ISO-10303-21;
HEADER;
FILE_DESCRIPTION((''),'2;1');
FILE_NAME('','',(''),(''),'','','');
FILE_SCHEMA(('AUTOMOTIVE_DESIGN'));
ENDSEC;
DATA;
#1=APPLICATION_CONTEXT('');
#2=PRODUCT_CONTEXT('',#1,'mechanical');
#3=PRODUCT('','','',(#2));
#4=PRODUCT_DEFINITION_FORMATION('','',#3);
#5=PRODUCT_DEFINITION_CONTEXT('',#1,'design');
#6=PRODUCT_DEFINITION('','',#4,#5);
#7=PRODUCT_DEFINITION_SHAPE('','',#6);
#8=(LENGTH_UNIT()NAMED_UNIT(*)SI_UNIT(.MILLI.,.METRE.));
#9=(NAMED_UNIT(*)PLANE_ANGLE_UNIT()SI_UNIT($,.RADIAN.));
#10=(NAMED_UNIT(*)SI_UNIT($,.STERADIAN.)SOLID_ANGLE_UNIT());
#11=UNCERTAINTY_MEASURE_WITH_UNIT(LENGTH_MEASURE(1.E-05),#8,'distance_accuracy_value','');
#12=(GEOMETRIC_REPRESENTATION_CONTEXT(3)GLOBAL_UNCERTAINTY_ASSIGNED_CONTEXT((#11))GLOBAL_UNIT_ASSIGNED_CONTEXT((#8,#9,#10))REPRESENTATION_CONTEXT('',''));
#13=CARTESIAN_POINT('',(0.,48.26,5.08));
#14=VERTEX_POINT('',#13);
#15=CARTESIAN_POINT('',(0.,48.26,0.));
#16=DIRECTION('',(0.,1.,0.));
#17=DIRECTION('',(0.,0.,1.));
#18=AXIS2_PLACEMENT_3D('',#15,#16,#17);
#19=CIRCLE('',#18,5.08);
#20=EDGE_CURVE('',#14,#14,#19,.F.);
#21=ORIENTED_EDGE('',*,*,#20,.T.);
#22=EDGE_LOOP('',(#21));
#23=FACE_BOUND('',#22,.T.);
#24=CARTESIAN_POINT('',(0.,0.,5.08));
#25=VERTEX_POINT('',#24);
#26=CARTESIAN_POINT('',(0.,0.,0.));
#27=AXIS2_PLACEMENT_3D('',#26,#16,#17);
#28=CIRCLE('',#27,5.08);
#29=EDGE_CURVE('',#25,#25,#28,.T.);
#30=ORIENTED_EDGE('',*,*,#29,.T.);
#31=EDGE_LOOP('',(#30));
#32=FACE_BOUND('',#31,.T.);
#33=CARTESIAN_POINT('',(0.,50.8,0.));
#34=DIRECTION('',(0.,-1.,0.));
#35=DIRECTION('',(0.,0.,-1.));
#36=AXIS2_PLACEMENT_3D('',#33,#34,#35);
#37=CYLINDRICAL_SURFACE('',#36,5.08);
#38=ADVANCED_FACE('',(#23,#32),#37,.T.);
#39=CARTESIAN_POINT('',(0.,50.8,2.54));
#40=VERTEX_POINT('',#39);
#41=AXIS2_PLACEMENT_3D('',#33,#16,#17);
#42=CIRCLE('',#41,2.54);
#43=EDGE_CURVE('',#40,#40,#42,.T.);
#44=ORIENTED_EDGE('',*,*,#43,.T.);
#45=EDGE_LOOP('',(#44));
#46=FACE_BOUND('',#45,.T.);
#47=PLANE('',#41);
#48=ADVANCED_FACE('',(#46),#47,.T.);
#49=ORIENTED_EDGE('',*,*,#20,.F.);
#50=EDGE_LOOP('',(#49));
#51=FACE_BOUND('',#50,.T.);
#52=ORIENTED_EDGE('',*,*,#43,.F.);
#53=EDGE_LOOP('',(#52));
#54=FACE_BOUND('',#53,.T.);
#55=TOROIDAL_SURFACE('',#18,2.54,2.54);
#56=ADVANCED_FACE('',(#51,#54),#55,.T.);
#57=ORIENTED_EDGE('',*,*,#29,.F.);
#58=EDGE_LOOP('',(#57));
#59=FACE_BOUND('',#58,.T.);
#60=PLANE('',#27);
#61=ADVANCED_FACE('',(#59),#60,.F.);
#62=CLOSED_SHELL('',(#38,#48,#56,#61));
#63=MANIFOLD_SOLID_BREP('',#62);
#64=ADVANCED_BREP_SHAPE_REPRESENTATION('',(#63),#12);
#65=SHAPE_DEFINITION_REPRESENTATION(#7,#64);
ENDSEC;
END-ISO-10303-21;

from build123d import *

# Parameters (mm, degrees)
SKETCH3_R           = 5.08
BOSS_EXTRUDE1_DEPTH = 50.8
FILLET2_R           = 2.54


with BuildPart() as part:
    # Sketch3 → Boss-Extrude1 (new body)
    with BuildSketch(Plane(origin=(0, 0, 0), x_dir=(1, 0, 0), z_dir=(0, 1, 0))):
        Circle(SKETCH3_R)
    extrude(amount=BOSS_EXTRUDE1_DEPTH)

    # Fillet2
    fillet2_edges = [part.edges().sort_by_distance(p)[0] for p in [
        (-5.08, 50.8, 0),
    ]]
    fillet(fillet2_edges, radius=FILLET2_R)


solid = part.part
